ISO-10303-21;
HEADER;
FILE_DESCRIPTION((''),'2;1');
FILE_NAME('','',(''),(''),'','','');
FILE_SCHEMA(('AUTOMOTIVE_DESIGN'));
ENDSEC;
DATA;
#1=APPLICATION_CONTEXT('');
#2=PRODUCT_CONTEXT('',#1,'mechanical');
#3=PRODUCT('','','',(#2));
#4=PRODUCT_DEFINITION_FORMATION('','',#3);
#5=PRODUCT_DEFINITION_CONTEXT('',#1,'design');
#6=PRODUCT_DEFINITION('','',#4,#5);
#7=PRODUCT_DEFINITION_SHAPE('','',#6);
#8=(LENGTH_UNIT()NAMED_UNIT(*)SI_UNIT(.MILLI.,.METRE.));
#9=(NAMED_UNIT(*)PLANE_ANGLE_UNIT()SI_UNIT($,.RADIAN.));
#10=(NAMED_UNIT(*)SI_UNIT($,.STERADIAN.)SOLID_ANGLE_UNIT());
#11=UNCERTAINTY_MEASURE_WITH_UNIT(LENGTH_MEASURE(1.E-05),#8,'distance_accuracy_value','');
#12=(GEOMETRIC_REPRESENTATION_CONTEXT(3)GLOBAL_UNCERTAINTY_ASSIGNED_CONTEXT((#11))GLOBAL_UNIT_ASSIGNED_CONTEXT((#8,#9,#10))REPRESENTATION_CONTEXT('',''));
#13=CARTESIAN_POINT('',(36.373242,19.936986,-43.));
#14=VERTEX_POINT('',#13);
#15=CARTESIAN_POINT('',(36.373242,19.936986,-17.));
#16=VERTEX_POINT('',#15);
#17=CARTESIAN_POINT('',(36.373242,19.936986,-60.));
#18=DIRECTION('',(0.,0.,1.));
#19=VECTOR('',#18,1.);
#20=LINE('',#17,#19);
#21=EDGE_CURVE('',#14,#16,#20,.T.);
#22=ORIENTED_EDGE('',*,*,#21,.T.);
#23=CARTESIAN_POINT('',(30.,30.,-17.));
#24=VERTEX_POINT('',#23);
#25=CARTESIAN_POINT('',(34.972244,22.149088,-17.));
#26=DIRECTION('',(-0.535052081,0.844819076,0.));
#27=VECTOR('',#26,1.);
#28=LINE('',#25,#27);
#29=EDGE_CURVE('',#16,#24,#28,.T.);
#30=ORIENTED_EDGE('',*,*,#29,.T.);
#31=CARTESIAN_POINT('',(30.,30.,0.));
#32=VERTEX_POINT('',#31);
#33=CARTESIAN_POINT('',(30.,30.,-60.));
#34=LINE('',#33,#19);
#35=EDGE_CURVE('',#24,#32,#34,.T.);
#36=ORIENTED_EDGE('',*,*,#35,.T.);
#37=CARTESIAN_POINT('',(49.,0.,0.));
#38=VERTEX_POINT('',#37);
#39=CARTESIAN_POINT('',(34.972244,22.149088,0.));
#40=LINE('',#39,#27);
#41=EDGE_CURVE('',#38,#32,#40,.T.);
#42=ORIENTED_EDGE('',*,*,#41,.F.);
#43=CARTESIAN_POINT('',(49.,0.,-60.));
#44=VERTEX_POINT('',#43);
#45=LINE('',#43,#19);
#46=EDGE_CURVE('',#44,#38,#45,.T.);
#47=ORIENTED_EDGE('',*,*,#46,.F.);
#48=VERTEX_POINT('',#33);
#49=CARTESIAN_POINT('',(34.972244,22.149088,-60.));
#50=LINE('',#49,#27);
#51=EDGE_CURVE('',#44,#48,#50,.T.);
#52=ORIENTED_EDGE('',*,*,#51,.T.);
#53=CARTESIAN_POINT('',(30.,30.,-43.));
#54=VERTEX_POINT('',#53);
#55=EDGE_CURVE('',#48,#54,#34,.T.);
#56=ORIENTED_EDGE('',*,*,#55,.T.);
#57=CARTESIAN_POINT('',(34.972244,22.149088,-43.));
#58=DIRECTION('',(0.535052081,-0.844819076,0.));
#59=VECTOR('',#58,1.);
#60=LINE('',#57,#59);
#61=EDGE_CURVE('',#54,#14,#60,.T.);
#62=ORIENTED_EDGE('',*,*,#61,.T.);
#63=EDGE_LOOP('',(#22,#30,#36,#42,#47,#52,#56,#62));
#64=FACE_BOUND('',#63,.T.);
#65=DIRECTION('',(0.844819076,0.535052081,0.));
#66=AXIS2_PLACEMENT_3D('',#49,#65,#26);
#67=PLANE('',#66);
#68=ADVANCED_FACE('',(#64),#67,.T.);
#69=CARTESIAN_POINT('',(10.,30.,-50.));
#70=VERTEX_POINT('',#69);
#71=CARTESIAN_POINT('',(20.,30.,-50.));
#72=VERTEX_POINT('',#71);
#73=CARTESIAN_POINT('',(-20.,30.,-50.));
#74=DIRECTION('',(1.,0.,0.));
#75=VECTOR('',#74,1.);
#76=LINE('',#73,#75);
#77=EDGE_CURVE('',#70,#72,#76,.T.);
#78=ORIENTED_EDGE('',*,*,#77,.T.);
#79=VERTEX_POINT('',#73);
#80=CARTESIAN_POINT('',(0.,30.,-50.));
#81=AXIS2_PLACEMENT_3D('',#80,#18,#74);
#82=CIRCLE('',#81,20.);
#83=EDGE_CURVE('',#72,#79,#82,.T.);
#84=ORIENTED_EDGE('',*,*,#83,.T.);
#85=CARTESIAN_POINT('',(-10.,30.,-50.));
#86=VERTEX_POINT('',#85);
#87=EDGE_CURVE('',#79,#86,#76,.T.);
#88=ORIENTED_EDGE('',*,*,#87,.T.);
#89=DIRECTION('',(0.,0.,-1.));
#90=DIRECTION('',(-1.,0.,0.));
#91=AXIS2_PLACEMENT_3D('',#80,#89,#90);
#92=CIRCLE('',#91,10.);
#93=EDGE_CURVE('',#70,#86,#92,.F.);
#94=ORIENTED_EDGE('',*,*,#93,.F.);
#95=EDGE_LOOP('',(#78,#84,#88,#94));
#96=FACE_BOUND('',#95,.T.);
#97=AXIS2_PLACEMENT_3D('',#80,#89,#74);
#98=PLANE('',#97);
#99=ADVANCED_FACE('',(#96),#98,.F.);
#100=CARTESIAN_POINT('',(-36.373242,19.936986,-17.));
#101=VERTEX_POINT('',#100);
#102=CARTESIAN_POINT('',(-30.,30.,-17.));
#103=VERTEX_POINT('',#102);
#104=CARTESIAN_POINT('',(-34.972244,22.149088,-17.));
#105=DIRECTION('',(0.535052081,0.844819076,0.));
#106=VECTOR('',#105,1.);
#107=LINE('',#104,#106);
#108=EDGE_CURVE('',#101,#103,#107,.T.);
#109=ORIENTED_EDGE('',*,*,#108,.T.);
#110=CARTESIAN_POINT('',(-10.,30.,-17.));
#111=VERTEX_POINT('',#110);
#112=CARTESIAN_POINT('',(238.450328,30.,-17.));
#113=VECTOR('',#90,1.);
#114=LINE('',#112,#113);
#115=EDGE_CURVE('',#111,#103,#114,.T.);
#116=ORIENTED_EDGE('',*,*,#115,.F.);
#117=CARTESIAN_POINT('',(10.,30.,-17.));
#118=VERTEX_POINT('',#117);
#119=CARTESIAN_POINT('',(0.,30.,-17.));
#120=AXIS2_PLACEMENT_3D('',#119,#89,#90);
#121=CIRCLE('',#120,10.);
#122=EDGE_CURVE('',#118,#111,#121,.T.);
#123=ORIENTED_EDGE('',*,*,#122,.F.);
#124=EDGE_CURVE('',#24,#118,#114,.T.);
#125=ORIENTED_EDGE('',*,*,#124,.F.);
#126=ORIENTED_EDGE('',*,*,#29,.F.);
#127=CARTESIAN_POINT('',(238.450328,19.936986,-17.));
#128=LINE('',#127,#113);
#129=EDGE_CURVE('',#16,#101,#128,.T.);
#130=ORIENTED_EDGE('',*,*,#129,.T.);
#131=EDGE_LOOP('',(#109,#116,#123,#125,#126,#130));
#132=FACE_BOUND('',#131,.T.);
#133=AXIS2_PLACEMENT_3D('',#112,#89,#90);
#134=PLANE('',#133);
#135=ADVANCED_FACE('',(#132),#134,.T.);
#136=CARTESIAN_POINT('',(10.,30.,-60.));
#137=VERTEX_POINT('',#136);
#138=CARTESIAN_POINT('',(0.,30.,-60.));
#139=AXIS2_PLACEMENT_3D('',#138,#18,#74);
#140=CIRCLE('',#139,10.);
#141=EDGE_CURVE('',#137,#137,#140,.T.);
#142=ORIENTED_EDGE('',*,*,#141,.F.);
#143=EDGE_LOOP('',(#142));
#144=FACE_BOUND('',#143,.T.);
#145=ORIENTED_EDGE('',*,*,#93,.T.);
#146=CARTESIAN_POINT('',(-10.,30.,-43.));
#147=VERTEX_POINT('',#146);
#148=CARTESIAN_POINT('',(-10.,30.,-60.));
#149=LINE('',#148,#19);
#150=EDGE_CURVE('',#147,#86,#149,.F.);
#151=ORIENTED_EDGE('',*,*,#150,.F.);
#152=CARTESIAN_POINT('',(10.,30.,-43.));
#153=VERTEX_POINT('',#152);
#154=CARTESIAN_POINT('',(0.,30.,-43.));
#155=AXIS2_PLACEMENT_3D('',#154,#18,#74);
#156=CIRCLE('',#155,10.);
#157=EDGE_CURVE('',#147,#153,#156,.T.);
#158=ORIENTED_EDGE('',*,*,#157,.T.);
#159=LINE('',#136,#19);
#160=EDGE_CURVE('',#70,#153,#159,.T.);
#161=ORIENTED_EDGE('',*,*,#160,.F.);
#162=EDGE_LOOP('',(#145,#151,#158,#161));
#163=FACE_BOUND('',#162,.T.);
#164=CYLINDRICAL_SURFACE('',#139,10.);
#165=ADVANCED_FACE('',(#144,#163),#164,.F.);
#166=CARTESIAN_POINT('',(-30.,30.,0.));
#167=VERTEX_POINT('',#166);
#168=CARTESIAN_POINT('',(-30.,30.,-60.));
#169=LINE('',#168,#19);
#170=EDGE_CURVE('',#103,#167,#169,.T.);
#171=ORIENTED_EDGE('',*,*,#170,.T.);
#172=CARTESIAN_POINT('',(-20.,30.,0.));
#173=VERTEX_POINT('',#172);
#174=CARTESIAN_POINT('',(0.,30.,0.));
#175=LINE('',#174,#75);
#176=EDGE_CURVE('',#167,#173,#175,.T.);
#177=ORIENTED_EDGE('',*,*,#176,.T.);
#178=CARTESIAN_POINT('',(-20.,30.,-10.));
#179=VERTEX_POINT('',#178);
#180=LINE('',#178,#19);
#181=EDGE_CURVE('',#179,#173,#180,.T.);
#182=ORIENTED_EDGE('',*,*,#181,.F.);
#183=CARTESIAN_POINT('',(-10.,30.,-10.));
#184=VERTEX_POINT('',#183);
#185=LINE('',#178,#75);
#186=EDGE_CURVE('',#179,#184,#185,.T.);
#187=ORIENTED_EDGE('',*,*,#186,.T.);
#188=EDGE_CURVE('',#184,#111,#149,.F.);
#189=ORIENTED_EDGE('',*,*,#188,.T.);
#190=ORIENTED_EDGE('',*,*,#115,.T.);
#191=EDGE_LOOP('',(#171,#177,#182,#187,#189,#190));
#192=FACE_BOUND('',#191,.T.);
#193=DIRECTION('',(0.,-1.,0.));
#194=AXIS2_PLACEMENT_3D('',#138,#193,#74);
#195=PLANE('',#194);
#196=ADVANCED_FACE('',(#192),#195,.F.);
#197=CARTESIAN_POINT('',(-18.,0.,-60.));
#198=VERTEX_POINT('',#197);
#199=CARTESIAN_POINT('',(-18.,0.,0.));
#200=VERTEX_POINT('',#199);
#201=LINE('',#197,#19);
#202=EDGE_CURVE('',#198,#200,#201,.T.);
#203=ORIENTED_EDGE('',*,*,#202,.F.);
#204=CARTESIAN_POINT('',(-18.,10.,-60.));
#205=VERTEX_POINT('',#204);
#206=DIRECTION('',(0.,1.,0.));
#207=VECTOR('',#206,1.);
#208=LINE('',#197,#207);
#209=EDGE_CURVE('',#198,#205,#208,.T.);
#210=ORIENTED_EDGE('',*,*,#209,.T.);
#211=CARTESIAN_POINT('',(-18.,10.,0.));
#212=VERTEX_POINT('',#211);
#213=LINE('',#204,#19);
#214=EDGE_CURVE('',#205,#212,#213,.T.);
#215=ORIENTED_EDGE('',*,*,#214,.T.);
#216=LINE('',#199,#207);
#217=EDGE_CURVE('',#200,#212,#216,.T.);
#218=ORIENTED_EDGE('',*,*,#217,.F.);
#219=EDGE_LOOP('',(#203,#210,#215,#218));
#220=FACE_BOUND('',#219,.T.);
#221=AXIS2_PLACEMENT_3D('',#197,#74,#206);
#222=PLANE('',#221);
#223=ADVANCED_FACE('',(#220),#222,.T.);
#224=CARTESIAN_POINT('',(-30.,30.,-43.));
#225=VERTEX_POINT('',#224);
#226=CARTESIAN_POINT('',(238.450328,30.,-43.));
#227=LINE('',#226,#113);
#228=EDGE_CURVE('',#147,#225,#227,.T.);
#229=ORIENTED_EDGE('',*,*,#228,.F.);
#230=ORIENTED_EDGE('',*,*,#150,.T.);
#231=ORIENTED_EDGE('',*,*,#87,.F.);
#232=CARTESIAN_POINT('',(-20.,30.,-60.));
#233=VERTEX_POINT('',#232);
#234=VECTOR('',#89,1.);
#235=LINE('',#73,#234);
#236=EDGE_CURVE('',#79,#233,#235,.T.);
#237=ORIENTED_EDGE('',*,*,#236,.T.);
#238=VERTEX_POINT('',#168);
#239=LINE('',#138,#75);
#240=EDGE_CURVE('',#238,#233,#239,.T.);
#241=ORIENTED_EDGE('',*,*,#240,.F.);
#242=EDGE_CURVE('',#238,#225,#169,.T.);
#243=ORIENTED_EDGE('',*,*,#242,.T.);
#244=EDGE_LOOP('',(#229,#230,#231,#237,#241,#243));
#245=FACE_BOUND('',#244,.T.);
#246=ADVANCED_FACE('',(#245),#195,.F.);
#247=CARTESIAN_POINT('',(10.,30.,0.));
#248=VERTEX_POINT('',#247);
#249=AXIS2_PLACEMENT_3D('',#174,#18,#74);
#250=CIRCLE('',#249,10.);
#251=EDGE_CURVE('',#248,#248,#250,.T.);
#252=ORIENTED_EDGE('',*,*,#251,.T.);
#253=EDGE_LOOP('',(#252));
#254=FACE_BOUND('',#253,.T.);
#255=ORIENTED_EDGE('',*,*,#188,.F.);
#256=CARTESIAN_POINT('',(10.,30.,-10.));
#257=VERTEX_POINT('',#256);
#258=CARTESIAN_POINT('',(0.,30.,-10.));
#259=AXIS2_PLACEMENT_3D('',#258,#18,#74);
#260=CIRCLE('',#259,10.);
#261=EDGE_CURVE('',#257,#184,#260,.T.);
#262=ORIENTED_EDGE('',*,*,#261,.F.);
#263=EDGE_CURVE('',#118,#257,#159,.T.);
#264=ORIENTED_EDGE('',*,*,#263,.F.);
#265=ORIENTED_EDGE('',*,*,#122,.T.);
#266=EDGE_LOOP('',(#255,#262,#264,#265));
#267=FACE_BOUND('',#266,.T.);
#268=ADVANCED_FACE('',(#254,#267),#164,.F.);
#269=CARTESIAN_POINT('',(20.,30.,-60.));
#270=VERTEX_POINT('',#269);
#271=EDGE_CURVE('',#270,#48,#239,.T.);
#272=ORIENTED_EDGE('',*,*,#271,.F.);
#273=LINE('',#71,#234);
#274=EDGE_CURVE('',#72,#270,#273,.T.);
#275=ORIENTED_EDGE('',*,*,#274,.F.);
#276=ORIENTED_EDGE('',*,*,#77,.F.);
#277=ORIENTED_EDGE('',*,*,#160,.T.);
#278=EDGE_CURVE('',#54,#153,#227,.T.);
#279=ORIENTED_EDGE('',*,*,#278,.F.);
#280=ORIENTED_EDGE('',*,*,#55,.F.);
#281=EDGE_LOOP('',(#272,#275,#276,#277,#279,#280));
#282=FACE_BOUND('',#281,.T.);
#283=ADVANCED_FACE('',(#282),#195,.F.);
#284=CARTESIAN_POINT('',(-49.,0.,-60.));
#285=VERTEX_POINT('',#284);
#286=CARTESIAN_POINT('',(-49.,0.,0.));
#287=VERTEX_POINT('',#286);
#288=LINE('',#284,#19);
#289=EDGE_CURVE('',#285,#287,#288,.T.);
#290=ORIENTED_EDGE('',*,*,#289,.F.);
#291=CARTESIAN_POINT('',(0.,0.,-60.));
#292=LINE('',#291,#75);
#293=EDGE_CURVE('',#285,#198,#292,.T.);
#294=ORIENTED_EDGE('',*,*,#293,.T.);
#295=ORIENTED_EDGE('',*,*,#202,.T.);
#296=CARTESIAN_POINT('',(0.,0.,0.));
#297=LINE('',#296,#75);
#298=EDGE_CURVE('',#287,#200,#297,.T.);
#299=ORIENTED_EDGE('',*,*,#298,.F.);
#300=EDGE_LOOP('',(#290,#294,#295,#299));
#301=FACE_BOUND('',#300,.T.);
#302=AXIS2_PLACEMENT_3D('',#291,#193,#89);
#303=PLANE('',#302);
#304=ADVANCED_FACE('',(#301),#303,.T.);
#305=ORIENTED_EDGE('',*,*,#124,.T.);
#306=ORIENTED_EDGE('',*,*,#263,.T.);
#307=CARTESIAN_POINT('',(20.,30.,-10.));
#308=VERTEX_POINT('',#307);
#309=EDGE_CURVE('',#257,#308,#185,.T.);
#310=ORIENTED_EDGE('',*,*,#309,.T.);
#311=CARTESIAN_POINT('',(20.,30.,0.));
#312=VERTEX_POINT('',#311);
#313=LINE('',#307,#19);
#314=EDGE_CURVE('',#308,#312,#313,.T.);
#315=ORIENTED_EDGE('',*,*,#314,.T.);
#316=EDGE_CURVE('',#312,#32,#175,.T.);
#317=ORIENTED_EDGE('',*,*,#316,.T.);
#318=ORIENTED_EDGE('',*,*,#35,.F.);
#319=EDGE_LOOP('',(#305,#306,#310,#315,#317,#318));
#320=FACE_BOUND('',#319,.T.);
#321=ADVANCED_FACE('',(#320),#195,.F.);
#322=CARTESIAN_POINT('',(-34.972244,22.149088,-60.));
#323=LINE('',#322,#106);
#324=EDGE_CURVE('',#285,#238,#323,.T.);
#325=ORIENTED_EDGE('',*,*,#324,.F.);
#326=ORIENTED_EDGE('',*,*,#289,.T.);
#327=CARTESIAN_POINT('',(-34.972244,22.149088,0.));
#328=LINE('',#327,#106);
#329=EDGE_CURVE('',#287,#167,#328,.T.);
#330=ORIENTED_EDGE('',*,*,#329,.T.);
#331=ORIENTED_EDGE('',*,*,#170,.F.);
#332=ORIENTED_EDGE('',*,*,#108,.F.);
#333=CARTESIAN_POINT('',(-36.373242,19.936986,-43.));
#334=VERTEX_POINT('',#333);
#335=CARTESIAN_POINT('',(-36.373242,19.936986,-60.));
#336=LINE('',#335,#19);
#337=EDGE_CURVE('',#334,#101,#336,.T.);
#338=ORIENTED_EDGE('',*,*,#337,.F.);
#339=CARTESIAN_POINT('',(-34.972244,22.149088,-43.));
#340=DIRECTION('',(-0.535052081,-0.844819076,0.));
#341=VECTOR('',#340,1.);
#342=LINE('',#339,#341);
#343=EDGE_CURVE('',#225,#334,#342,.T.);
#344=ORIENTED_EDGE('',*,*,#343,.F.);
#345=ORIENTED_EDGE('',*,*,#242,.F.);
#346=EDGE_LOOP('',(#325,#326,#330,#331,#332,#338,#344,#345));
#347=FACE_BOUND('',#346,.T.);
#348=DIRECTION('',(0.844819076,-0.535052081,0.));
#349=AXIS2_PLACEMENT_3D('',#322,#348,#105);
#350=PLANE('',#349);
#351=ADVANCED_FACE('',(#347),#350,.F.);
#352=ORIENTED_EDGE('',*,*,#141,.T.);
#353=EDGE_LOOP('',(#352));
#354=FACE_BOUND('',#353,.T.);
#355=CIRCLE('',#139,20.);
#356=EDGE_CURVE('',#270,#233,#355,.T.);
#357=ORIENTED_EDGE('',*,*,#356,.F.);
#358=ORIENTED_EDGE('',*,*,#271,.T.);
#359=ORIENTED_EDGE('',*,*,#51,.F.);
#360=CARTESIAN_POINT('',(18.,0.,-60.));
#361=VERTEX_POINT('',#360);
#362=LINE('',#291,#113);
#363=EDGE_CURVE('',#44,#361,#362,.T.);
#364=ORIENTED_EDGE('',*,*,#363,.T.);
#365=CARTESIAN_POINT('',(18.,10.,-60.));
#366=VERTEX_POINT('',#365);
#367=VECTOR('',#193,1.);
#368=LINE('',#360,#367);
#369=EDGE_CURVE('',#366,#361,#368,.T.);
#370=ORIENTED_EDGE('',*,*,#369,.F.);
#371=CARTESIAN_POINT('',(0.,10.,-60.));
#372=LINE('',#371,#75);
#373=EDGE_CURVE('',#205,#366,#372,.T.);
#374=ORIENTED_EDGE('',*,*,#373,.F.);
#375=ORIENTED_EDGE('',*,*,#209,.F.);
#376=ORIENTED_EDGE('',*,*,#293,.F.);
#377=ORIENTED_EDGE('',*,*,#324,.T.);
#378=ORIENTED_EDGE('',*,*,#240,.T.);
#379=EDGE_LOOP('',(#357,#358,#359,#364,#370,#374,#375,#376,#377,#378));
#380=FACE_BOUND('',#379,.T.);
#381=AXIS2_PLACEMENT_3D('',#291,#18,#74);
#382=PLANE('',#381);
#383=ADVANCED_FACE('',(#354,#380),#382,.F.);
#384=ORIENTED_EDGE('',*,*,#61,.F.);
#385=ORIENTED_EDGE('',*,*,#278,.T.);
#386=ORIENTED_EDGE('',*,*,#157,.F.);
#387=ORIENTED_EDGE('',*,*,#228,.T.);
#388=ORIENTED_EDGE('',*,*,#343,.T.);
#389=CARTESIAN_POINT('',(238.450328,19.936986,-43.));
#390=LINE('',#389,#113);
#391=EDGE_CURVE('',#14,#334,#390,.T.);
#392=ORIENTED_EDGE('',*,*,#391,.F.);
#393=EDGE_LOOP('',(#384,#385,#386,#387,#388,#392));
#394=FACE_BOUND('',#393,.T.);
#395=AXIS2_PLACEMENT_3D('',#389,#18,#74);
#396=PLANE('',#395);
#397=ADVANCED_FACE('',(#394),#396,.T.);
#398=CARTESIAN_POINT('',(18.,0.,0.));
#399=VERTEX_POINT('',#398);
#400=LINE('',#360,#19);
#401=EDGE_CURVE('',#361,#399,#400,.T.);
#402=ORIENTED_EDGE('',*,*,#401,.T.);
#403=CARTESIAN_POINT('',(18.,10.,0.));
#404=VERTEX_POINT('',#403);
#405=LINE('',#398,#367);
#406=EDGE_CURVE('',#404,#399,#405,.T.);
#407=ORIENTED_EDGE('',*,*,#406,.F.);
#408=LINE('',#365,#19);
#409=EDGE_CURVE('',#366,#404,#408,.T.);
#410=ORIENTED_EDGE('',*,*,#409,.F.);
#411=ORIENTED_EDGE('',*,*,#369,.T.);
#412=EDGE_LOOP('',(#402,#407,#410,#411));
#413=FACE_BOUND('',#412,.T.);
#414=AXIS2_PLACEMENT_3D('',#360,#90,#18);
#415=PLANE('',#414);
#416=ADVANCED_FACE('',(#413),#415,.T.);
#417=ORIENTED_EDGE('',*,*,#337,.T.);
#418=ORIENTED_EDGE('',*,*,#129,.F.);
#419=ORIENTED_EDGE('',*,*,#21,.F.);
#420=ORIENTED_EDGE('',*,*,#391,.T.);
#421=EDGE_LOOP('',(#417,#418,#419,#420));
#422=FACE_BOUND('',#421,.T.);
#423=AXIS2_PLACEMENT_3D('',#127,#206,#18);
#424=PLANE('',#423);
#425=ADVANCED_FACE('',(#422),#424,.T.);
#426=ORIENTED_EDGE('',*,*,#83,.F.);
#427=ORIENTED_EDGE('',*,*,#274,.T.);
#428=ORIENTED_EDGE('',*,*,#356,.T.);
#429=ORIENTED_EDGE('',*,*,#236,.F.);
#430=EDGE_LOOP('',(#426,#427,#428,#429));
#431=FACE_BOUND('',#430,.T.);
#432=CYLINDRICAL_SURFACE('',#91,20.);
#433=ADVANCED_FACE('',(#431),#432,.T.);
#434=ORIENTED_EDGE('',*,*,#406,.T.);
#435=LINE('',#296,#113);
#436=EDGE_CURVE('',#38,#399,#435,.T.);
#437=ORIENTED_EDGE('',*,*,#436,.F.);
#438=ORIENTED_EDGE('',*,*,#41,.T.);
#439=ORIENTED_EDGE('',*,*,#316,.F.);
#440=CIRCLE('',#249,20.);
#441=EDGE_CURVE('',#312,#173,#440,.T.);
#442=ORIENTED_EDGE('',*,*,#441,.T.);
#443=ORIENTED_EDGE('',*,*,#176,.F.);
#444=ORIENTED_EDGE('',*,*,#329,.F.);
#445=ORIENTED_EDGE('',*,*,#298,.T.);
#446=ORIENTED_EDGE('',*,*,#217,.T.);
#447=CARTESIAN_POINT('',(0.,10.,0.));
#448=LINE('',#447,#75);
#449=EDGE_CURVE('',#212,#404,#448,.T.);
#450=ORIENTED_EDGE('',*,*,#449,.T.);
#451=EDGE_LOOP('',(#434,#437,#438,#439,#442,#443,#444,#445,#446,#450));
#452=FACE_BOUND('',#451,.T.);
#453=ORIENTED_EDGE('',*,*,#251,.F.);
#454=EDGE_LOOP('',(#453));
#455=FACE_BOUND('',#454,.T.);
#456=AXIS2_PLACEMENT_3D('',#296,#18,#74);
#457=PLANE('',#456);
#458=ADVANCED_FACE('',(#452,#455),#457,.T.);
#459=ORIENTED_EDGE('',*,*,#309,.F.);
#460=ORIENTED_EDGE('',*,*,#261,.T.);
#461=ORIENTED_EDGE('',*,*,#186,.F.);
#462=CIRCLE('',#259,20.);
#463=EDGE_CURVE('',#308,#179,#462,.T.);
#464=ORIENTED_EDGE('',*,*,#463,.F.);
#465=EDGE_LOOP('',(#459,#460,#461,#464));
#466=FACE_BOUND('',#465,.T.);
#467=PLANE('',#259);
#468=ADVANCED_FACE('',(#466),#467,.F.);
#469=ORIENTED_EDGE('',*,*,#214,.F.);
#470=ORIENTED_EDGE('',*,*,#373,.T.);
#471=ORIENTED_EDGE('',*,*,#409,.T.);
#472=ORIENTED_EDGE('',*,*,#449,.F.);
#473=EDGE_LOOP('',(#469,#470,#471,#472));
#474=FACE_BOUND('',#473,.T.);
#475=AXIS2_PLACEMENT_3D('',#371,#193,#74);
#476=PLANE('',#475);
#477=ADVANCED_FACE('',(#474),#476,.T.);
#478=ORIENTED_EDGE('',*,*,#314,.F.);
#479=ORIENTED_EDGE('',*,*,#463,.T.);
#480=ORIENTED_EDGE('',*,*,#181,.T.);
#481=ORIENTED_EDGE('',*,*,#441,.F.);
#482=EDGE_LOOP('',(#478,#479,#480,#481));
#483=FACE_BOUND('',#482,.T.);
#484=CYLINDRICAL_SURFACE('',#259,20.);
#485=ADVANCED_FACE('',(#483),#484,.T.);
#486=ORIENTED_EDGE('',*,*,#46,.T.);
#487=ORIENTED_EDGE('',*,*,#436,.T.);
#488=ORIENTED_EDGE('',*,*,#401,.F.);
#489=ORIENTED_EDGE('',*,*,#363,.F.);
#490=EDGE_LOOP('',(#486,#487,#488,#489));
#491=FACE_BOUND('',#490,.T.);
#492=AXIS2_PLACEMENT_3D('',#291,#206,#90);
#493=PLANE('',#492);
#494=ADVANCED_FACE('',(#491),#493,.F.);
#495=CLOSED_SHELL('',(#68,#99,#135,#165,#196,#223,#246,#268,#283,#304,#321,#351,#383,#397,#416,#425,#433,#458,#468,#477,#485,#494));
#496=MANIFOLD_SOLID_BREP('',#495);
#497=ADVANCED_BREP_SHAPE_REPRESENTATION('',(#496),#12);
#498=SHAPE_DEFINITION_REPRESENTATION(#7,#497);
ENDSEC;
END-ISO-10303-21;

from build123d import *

# Parameters (mm, degrees)
BOSS_EXTRUDE1_DEPTH     = 60
CUT_EXTRUDE1_DEPTH      = 104.638795825
CUT_EXTRUDE1_DEPTH_BACK = 104.638795825
BOSS_EXTRUDE2_DEPTH     = 10
SKETCH5_R               = 10
CUT_EXTRUDE2_DEPTH      = 93.200867675


with BuildPart() as part:
    # Sketch1 → Boss-Extrude1 (new body)
    with BuildSketch(Plane.XY):
        Polygon((-30, 30), (-49, 0), (-18, 0), (-18, 10), (0, 10), (0, 30), (-20, 30), align=None)
        Polygon((20, 30), (0, 30), (0, 10), (18, 10), (18, 0), (49, 0), (30, 30), align=None)
    extrude(amount=-BOSS_EXTRUDE1_DEPTH)

    # Sketch3 → Cut-Extrude1 (cut, two sides: drawn at the far end of the back side and taken through both)
    with BuildSketch(Plane(origin=(30, 0, 0), x_dir=(0, 0, -1), z_dir=(1, 0, 0)).offset(-CUT_EXTRUDE1_DEPTH_BACK)):
        Polygon((17, 144.861813831), (17, 30), (17, 19.936985668), (43, 19.936985668), (43, 30), (43, 144.861813831), (43, 374.585441494), (17, 374.585441494), align=None)
    extrude(amount=CUT_EXTRUDE1_DEPTH + CUT_EXTRUDE1_DEPTH_BACK, mode=Mode.SUBTRACT)

    # Sketch4 → Boss-Extrude2 (add)
    with BuildSketch(Plane.XY):
        with BuildLine():
            Line((-20, 30), (20, 30))
            ThreePointArc((20, 30), (0, 50), (-20, 30))
        make_face()
    boss_extrude2 = extrude(amount=-BOSS_EXTRUDE2_DEPTH)

    # Sketch5 → Cut-Extrude2 (cut, through all)
    with BuildSketch(Plane.XY):
        with Locations((0, 30)):
            Circle(SKETCH5_R)
    cut_extrude2 = extrude(amount=-CUT_EXTRUDE2_DEPTH, mode=Mode.SUBTRACT)

    # Mirror1: Boss-Extrude2 across plane
    add(boss_extrude2.mirror(Plane.XY.offset(-30)))

    # Mirror2: Cut-Extrude2 across plane
    add(cut_extrude2.mirror(Plane.XY.offset(-30)), mode=Mode.SUBTRACT)


solid = part.part
